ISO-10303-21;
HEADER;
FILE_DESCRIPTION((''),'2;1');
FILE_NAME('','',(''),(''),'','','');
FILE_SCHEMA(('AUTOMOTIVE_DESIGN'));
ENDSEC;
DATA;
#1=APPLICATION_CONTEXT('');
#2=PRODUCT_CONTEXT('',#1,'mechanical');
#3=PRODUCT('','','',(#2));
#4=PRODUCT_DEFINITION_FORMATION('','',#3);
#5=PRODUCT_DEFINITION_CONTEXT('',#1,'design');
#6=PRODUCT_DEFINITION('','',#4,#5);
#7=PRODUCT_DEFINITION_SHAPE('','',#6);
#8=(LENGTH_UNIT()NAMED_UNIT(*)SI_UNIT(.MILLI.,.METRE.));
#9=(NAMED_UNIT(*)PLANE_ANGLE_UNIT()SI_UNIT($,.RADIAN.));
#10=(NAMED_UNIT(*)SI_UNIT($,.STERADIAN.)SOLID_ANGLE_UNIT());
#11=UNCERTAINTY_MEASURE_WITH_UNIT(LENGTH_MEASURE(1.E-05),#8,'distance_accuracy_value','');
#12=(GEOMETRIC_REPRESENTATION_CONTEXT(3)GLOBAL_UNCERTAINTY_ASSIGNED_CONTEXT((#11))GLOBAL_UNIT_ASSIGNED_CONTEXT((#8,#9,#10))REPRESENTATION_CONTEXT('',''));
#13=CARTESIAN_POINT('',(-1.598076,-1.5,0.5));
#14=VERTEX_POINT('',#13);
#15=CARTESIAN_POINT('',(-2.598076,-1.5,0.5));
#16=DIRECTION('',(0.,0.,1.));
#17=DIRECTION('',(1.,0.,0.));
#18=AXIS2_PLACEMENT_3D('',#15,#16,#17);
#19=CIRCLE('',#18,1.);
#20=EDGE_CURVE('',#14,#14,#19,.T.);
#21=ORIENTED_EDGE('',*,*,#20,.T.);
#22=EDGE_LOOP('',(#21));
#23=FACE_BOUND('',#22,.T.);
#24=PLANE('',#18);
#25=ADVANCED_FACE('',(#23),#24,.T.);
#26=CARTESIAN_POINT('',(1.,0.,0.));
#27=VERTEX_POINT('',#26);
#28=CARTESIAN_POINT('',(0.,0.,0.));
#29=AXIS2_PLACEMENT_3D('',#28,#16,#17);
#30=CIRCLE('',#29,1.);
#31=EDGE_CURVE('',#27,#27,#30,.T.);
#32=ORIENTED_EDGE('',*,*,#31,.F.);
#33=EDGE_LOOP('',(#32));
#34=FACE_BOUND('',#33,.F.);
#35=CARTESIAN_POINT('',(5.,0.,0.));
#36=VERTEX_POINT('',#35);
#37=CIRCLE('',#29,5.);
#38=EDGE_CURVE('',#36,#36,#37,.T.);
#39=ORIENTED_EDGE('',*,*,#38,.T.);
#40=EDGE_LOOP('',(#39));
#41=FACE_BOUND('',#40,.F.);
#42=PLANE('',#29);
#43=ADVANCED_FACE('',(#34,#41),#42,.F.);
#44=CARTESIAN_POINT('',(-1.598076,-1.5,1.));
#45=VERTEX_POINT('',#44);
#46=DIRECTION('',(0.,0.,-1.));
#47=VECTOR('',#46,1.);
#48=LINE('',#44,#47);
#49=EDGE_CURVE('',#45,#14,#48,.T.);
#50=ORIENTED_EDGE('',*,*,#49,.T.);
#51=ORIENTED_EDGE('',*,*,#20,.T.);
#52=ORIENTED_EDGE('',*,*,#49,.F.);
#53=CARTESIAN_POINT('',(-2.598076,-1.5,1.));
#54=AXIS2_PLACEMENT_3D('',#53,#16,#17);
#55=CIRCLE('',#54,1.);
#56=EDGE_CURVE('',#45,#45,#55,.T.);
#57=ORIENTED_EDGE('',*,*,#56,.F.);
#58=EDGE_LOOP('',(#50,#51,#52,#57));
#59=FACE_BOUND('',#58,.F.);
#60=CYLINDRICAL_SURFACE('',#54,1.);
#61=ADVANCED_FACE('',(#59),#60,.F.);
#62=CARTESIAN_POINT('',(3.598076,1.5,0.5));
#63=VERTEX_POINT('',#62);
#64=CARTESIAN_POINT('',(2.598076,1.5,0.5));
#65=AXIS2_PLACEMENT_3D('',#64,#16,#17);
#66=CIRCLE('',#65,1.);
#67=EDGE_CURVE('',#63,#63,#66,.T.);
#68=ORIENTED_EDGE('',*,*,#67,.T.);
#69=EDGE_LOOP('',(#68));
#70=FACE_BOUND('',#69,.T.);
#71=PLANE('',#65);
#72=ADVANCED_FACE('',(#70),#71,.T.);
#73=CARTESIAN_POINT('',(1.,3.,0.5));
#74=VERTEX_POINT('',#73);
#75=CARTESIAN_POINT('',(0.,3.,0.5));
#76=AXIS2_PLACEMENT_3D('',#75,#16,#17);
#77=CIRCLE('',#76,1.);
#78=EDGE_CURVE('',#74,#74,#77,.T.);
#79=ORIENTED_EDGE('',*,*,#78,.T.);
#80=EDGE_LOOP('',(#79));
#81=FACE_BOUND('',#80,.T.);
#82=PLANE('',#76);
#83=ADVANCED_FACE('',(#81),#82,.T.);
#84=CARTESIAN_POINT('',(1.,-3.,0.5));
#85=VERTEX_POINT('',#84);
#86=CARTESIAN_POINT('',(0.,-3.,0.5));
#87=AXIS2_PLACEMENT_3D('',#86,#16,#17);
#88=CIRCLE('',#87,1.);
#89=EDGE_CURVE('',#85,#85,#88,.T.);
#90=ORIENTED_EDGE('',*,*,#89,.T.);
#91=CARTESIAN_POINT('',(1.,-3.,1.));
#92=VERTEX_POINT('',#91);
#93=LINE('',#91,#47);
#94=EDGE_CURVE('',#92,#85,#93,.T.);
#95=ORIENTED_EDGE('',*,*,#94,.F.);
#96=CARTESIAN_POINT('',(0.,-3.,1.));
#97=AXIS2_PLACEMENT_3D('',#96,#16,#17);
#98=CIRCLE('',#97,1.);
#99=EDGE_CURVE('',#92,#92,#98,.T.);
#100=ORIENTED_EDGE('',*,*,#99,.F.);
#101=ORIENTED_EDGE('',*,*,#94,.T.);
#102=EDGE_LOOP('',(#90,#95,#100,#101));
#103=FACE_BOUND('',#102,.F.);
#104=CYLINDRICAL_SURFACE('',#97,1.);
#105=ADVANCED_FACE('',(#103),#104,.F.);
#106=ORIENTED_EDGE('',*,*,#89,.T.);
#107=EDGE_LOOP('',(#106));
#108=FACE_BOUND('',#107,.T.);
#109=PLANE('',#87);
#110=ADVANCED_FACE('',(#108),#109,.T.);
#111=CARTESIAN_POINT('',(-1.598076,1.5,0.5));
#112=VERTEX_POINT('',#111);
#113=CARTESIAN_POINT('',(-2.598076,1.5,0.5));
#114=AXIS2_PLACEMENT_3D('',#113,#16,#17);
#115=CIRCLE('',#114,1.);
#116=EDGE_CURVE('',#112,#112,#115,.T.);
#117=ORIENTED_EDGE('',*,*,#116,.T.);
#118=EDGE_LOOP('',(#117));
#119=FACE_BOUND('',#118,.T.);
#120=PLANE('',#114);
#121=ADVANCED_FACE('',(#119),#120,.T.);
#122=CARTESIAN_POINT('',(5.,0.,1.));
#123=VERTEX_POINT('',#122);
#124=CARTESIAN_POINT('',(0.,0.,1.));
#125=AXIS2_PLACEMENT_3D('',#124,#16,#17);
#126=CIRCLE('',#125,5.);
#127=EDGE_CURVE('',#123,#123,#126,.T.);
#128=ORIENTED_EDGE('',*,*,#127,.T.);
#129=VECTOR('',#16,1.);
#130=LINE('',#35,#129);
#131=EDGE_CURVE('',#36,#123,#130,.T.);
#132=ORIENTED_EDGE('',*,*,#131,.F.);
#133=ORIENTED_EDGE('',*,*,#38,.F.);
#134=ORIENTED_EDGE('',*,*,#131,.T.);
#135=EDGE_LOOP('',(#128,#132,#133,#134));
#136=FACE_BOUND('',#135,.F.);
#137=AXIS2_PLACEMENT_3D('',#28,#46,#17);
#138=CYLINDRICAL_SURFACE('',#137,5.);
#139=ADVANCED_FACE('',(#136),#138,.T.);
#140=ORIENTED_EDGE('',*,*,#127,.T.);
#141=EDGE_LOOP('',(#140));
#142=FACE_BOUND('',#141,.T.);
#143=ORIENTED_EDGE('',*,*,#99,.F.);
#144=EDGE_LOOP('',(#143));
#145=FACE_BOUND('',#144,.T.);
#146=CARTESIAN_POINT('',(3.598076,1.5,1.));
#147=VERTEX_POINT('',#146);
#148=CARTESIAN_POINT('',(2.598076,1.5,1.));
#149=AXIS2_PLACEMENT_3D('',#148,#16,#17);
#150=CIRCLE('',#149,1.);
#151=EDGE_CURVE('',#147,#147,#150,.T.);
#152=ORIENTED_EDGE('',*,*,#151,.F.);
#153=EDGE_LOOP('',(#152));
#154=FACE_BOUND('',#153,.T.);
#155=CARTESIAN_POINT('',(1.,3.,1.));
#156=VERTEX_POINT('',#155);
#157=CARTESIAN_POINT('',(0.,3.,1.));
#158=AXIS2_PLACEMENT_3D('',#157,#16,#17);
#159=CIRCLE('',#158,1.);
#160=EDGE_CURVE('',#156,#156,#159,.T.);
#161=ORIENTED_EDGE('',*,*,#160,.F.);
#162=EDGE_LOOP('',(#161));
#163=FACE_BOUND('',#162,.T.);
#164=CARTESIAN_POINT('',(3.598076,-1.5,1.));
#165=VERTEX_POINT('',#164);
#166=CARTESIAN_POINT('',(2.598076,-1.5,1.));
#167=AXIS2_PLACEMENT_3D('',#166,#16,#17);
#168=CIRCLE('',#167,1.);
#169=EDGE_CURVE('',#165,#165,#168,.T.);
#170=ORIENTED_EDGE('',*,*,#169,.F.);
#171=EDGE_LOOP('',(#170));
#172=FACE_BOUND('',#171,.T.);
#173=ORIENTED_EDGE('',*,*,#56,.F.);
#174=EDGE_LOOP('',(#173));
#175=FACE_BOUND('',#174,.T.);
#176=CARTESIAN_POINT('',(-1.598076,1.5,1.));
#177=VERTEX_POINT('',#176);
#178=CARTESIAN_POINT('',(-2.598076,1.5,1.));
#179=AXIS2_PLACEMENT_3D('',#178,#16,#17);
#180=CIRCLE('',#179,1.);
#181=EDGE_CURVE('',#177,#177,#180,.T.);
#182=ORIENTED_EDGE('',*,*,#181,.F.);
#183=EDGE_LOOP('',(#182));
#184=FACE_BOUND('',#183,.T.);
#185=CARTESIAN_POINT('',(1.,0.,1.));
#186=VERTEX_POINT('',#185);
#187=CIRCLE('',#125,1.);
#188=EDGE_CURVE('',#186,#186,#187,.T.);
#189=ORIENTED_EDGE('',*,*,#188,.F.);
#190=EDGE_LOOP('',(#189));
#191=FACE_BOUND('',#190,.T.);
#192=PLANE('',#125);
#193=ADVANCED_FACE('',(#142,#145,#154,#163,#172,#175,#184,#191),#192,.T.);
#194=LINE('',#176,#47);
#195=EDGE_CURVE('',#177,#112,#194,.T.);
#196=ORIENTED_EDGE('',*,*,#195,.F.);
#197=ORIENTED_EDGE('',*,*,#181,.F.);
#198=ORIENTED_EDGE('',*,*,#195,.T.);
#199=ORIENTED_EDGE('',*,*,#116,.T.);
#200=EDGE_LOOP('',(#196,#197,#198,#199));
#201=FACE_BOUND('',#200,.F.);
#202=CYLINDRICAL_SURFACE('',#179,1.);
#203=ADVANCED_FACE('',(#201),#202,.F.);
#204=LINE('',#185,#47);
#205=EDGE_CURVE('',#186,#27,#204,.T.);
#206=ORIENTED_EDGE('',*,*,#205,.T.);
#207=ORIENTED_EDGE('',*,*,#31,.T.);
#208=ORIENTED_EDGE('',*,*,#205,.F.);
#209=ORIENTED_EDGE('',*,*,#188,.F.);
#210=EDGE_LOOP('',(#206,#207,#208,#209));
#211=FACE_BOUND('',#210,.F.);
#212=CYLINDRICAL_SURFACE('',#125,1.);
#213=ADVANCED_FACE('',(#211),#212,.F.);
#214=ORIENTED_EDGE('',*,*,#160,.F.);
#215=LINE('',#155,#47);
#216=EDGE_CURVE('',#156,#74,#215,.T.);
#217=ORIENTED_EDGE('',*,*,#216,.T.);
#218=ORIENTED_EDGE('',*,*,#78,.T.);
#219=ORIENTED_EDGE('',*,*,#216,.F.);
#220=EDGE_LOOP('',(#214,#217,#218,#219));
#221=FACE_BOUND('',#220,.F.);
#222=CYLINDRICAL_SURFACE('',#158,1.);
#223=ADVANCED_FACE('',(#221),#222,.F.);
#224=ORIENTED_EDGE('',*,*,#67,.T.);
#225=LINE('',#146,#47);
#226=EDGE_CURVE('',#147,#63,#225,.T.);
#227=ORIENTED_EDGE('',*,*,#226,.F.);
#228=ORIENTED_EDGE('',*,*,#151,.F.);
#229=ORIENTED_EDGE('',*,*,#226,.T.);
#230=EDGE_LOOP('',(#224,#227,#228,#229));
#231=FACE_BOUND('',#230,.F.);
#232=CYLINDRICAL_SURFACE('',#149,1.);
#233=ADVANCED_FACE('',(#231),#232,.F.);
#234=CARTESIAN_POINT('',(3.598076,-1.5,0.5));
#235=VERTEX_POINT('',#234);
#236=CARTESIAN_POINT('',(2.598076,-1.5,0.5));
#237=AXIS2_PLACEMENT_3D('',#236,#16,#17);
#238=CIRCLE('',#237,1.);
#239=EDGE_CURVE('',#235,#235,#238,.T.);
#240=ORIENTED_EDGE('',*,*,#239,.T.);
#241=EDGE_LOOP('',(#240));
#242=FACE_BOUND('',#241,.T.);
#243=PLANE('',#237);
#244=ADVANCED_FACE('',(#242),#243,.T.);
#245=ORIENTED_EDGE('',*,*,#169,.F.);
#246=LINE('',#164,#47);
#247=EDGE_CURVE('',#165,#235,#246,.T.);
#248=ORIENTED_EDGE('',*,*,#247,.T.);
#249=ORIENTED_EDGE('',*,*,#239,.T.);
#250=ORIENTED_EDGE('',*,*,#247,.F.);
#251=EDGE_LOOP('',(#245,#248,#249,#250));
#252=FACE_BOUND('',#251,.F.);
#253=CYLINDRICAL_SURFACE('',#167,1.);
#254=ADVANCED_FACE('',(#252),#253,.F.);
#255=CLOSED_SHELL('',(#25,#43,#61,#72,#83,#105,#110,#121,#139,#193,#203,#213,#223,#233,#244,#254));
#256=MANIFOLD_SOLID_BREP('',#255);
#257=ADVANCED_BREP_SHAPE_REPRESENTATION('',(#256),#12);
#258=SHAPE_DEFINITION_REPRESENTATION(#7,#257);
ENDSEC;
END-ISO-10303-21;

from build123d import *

# Parameters (mm, degrees)
F0_R     = 5
F1_DEPTH = 1
F2_R     = 1
F3_DEPTH = 0.5
F4_R     = 1
F5_DEPTH = 1


with BuildPart() as f1:
    # F0 (on Top) → F1 (new body)
    with BuildSketch(Plane.XY):
        Circle(F0_R)
    extrude(amount=F1_DEPTH)

    # F2 (on face) → F3 (cut)
    with BuildSketch(Plane.XY.offset(1)):
        with Locations((0, 3)):
            Circle(F2_R)
        with Locations((-2.598076, 1.5)):
            Circle(F2_R)
        with Locations((-2.598076, -1.5)):
            Circle(F2_R)
        with Locations((0, -3)):
            Circle(F2_R)
        with Locations((2.598076, -1.5)):
            Circle(F2_R)
        with Locations((2.598076, 1.5)):
            Circle(F2_R)
    extrude(amount=-F3_DEPTH, mode=Mode.SUBTRACT)

    # F4 (on face) → F5 (cut)
    with BuildSketch(Plane.XY.offset(1)):
        Circle(F4_R)
    extrude(amount=-F5_DEPTH, mode=Mode.SUBTRACT)


solid = f1.part
